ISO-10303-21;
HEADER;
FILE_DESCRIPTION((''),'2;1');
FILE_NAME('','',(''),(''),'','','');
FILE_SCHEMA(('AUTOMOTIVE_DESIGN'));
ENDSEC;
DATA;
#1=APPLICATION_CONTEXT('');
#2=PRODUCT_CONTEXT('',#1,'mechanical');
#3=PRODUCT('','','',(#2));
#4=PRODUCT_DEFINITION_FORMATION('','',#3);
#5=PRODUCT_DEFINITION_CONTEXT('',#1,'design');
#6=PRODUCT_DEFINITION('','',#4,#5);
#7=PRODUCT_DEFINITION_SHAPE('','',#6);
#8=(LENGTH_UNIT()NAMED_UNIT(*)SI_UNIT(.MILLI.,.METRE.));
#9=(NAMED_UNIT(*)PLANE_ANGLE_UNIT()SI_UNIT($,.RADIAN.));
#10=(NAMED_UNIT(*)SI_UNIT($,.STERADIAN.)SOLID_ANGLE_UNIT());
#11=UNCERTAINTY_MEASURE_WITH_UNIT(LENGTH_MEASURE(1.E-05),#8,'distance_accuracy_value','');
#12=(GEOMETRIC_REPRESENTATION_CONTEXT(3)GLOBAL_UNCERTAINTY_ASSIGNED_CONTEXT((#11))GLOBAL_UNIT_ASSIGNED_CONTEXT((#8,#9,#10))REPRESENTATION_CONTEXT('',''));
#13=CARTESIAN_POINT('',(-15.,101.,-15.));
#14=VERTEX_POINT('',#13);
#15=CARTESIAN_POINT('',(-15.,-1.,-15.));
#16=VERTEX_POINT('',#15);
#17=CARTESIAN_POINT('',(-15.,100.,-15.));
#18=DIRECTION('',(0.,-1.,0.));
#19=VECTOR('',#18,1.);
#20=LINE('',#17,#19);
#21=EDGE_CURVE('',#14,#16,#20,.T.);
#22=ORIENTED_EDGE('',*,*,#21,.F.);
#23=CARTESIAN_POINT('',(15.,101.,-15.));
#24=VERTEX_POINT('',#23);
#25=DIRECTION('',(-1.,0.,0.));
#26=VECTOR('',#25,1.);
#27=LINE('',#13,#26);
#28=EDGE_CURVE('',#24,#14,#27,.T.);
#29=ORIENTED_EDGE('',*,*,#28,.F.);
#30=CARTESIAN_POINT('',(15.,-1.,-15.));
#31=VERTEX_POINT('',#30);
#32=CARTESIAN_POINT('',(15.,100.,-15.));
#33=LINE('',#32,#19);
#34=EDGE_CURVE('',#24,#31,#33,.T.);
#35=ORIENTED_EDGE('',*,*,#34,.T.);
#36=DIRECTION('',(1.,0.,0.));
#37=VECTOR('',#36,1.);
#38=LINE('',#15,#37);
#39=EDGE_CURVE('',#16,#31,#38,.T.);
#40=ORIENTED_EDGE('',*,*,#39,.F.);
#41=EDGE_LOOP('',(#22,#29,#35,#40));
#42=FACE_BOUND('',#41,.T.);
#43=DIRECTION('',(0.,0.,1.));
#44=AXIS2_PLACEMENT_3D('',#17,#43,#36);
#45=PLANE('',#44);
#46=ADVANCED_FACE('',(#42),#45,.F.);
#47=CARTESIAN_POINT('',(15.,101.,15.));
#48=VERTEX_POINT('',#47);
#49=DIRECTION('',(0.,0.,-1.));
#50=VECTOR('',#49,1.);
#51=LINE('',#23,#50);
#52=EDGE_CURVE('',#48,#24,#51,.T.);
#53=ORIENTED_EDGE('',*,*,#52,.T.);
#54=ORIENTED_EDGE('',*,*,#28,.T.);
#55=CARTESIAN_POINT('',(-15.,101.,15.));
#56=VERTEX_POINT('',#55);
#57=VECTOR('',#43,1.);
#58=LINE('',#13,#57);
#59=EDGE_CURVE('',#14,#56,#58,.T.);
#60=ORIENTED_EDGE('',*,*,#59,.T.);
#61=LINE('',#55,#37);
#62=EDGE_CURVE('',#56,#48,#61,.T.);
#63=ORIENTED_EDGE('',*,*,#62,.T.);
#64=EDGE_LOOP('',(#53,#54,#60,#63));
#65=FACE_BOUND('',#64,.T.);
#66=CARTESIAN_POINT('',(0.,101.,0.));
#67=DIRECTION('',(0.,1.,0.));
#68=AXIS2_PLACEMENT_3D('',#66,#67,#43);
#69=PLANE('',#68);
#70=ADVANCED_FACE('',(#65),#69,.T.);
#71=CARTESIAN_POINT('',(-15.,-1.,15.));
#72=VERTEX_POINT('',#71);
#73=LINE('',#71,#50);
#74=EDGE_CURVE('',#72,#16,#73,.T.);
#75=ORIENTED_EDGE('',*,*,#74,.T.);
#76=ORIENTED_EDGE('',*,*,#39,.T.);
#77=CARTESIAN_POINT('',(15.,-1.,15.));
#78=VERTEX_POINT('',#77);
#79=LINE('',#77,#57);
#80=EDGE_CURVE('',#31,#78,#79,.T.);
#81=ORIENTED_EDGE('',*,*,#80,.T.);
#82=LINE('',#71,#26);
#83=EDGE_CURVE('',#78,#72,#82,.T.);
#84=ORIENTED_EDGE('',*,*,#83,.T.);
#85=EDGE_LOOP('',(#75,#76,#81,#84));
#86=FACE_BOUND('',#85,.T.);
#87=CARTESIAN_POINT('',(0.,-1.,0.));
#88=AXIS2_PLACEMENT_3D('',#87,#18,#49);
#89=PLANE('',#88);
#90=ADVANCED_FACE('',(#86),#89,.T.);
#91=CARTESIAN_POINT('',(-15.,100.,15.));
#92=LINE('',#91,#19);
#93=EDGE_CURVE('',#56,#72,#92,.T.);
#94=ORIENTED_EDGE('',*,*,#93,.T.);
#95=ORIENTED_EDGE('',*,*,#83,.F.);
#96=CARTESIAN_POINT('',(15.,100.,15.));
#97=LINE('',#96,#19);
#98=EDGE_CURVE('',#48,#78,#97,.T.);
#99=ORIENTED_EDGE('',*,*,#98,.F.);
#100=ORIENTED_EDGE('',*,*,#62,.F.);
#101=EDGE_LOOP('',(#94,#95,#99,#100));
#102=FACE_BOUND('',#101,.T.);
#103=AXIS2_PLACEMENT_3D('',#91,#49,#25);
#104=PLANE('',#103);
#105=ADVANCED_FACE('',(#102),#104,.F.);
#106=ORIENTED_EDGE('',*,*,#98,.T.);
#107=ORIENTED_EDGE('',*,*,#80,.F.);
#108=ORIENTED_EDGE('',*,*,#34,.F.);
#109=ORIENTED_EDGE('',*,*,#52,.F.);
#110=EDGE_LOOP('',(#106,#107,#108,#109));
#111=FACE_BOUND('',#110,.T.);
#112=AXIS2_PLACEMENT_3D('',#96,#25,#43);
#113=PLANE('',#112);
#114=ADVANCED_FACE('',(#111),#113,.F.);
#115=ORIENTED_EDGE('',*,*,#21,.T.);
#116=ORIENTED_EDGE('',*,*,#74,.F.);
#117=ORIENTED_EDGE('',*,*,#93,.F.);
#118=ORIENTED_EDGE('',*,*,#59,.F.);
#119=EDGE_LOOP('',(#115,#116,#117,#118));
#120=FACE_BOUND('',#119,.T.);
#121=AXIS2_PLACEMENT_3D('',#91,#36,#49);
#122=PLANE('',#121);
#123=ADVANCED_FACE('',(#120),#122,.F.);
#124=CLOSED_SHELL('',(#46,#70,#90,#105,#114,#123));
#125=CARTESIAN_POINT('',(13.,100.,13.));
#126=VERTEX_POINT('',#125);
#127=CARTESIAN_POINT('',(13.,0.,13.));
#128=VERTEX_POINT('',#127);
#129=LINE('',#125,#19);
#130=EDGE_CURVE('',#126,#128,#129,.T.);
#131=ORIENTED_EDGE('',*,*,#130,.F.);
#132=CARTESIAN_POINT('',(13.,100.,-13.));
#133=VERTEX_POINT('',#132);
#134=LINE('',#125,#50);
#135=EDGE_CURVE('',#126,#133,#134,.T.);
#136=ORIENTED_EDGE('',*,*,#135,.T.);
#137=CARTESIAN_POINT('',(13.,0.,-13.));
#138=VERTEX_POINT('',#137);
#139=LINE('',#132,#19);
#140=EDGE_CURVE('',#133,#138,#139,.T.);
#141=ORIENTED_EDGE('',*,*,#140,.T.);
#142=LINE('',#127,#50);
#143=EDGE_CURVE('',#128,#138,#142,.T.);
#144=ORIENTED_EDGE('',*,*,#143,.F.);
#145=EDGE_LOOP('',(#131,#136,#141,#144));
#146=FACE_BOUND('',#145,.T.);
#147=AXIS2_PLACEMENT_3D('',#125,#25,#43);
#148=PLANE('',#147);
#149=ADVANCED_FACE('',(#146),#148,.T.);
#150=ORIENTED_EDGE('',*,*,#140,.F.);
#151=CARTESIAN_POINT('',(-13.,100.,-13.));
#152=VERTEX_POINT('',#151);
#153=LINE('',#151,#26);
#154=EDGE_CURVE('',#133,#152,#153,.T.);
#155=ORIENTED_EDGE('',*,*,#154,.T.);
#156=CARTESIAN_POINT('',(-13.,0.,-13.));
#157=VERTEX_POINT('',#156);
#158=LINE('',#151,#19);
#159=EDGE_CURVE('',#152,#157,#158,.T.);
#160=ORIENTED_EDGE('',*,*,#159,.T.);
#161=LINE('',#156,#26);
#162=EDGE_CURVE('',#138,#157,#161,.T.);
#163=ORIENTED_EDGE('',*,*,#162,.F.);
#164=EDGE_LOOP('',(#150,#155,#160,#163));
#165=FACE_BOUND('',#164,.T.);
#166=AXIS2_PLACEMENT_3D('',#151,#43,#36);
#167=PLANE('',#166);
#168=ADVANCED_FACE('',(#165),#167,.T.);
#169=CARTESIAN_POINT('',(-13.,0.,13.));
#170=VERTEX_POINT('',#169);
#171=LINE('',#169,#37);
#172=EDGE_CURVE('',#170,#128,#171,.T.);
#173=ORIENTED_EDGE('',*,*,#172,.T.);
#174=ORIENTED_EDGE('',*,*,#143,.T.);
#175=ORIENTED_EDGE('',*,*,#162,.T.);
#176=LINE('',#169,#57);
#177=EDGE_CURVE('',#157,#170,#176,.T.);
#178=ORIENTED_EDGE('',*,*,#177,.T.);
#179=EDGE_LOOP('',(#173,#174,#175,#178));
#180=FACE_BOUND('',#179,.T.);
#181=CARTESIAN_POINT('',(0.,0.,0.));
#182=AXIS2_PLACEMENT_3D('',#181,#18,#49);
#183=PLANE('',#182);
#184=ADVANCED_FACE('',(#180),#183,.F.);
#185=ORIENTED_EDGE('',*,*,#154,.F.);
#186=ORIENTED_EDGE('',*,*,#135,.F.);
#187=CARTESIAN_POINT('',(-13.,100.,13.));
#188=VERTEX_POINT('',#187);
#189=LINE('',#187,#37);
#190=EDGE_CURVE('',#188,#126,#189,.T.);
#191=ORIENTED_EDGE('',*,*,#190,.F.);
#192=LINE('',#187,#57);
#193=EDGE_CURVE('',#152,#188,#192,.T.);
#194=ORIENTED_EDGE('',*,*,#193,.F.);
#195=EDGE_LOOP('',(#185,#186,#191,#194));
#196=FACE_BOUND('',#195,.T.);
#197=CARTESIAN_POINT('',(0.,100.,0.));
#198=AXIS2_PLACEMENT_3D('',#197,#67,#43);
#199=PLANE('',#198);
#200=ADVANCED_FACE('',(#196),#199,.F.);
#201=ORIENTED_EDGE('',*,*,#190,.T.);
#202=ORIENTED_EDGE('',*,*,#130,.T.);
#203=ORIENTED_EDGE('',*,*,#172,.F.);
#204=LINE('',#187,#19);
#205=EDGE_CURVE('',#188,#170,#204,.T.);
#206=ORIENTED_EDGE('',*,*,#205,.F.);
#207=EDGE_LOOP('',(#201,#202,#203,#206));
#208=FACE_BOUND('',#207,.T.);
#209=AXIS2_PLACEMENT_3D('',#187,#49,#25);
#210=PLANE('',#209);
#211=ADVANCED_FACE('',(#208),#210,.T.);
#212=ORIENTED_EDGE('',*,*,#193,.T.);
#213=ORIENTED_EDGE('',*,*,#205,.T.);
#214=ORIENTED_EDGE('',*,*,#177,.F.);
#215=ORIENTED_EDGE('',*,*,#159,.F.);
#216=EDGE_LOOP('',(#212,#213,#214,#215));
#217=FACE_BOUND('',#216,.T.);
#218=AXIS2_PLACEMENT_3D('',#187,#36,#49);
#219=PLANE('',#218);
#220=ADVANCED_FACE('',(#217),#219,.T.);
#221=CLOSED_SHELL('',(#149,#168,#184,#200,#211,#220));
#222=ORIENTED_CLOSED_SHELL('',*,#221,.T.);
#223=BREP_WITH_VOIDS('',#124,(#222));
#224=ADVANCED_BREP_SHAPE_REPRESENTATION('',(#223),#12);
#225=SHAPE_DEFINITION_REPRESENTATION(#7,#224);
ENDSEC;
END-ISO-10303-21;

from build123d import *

# Parameters (mm, degrees)
SKETCH1_W           = 30
SKETCH1_H           = 30
SKETCH1_W_2         = 26
SKETCH1_H_2         = 26
BOSS_EXTRUDE1_DEPTH = 100
SKETCH2_W           = 30
SKETCH2_H           = 30
BOSS_EXTRUDE2_DEPTH = 1
SKETCH3_W           = 30
SKETCH3_H           = 30
BOSS_EXTRUDE3_DEPTH = 1


with BuildPart() as part:
    # Sketch1 → Boss-Extrude1 (new body)
    with BuildSketch(Plane(origin=(0, 0, 0), x_dir=(1, 0, 0), z_dir=(0, 1, 0))):
        Rectangle(SKETCH1_W, SKETCH1_H)
        Rectangle(SKETCH1_W_2, SKETCH1_H_2, mode=Mode.SUBTRACT)
    extrude(amount=BOSS_EXTRUDE1_DEPTH)

    # Sketch2 → Boss-Extrude2 (add)
    with BuildSketch(Plane(origin=(0, 100, 0), x_dir=(1, 0, 0), z_dir=(0, 1, 0))):
        Rectangle(SKETCH2_W, SKETCH2_H)
    extrude(amount=BOSS_EXTRUDE2_DEPTH)

    # Sketch3 → Boss-Extrude3 (add)
    with BuildSketch(Plane.XZ):
        Rectangle(SKETCH3_W, SKETCH3_H)
    extrude(amount=BOSS_EXTRUDE3_DEPTH)


solid = part.part
